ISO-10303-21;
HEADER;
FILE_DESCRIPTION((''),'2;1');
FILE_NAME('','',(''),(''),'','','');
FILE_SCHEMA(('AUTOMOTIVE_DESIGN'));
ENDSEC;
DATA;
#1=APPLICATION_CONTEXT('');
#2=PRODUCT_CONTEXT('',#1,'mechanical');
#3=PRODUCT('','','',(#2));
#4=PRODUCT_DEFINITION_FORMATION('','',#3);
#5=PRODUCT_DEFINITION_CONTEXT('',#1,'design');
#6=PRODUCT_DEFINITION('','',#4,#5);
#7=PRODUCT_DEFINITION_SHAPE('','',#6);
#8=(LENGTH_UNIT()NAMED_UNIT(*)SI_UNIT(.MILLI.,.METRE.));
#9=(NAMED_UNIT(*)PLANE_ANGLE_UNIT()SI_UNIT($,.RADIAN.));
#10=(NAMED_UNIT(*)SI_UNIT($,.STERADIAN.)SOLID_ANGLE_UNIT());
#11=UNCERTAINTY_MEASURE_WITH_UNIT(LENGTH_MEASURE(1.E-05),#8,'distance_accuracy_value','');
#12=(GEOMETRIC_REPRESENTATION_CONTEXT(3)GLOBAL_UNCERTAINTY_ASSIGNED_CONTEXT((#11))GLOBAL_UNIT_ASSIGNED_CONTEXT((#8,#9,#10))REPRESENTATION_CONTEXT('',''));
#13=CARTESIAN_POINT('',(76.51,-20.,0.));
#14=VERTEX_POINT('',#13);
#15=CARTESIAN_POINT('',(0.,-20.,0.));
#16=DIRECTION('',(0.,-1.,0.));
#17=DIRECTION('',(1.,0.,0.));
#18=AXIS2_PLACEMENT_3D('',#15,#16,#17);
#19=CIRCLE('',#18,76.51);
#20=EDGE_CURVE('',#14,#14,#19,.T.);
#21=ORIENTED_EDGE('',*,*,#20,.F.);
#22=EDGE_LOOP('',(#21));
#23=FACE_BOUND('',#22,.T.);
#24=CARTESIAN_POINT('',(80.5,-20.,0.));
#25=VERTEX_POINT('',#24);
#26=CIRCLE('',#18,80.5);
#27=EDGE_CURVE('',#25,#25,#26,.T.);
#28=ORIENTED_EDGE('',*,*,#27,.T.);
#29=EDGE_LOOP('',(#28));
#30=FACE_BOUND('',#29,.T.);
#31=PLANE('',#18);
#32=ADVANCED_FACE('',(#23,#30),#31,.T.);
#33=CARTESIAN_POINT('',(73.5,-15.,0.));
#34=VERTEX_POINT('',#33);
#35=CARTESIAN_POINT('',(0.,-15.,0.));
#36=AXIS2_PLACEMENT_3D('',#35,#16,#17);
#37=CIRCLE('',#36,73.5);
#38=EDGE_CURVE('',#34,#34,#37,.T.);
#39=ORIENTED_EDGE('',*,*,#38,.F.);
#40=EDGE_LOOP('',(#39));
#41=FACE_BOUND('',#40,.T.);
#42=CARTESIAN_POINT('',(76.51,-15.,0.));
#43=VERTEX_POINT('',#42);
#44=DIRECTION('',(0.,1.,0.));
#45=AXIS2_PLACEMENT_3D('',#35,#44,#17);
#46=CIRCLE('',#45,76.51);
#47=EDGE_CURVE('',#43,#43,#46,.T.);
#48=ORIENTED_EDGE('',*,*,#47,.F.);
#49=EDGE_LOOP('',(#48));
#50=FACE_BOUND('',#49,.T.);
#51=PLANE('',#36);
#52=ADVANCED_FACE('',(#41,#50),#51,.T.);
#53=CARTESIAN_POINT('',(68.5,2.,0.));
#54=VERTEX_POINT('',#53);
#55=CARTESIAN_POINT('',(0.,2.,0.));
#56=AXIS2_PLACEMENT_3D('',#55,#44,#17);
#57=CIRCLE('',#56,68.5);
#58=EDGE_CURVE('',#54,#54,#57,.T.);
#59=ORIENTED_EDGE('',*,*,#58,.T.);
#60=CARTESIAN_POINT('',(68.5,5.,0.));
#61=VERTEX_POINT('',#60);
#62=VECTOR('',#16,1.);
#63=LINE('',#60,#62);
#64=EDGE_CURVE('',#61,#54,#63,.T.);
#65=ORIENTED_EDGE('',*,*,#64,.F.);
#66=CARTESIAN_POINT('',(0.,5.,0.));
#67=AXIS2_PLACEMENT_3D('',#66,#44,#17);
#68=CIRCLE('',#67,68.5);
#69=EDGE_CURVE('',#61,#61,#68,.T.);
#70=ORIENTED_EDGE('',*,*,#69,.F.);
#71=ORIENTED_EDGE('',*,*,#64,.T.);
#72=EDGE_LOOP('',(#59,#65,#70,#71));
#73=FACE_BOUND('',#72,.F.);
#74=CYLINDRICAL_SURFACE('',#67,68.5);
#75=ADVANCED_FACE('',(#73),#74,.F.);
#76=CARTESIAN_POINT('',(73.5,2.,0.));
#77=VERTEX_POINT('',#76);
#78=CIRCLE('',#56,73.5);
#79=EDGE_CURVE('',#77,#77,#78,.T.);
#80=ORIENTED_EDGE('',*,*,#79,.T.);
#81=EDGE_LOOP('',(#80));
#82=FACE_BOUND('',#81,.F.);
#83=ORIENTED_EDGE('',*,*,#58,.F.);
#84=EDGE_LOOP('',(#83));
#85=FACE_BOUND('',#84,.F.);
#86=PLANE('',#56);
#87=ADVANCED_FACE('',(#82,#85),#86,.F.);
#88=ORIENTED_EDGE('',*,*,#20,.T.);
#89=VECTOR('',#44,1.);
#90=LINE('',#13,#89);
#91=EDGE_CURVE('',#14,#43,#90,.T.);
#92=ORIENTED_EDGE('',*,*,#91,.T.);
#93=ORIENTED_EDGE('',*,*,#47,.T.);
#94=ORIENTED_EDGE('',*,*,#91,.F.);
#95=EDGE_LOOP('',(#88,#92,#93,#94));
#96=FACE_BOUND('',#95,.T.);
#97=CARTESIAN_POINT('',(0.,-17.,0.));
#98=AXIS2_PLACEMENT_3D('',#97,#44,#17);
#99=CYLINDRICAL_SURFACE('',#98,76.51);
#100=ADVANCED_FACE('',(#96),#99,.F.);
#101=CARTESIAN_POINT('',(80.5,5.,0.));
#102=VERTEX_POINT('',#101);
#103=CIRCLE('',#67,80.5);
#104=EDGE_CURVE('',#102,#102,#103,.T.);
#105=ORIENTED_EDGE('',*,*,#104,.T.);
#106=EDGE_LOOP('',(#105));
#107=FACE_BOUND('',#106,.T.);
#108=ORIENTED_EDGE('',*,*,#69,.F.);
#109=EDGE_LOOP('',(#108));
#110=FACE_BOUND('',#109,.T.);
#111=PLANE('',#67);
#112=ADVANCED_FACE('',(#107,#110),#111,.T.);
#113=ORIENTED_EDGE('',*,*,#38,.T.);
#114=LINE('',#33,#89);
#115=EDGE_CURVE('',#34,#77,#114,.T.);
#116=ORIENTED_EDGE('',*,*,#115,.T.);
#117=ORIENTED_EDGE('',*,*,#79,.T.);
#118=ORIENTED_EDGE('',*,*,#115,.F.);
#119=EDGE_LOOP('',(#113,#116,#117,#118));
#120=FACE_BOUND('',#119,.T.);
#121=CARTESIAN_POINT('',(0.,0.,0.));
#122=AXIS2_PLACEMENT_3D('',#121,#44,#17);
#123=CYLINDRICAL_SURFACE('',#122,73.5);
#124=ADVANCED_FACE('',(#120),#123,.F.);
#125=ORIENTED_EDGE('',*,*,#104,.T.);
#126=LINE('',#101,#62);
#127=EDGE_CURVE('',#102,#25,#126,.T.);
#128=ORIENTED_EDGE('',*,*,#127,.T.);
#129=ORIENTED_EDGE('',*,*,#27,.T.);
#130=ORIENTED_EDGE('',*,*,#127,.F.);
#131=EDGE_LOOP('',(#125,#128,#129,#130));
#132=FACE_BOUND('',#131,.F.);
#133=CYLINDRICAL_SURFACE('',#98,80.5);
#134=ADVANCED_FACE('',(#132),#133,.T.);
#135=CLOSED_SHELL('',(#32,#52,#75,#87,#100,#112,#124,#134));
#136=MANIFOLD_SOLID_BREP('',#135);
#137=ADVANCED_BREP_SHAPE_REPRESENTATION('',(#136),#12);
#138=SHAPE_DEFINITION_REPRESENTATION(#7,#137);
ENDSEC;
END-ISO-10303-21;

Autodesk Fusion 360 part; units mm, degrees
sketch "Sketch1" plane through (0, 0, 0) normal (0, 1, 0) x (1, 0, 0)
  circle A0 centre (0, 0) radius 73.5
  circle A1 centre (0, 0) radius 76.5
  dimension "d1" = 147
  dimension "d2" = 3
extrude "Extrude1" add sketch "Sketch1" along normal blind 2 makes body 1
ref_plane "WorkPlane1" through (0, -17, 0) normal (0, 1, 0) x (0, 0, 1)
sketch "Sketch2" plane through (0, -17, 0) normal (0, 1, 0) x (1, 0, 0)
  circle A0 centre (0, 0) radius 76.5
  circle A1 centre (0, 0) radius 76.51
  circle A2 centre (0, 0) radius 80.5
  dimension "d10" = 0.01
  dimension "d11" = 4
extrude "Extrude2" add sketch "Sketch2" along normal blind 2 separate body contours A2 makes body 2
ref_plane "WorkPlane2" through (0, 5, 0) normal (0, 1, 0) x (1, 0, 0)
sketch "Sketch3" plane through (0, 5, 0) normal (0, 1, 0) x (1, 0, 0)
  circle A0 centre (0, 0) radius 68.5
  circle A1 centre (0, 0) radius 73.5
  circle A2 centre (0, 0) radius 80.5
  dimension "d13" = 5
extrude "Extrude3" add sketch "Sketch3" against normal up to surface (3 mm away) contours A1 | A2 bodies 1
sketch "Sketch4" plane through (0, 2, 0) normal (0, -1, 0) x (1, 0, 0)
  circle A0 centre (0, 0) radius 80.5
  circle A1 centre (0, 0) radius 76.5
extrude "Extrude4" add sketch "Sketch4" along normal up to surface (17 mm away) bodies 1 2
sketch "Sketch5" plane through (0, -17, 0) normal (0, -1, 0) x (1, 0, 0)
  circle A0 centre (0, 0) radius 76.51
  circle A1 centre (0, 0) radius 80.5
  circle A2 centre (0, 0) radius 76.51
extrude "Extrude5" add sketch "Sketch5" along normal blind 3 bodies 1
sketch "Sketch6" plane through (0, 0, 0) normal (0, -1, 0) x (1, 0, 0)
  circle A0 centre (0, 0) radius 73.5
  circle A1 centre (0, 0) radius 76.5
extrude "Extrude6" add sketch "Sketch6" along normal blind 15 bodies 1
